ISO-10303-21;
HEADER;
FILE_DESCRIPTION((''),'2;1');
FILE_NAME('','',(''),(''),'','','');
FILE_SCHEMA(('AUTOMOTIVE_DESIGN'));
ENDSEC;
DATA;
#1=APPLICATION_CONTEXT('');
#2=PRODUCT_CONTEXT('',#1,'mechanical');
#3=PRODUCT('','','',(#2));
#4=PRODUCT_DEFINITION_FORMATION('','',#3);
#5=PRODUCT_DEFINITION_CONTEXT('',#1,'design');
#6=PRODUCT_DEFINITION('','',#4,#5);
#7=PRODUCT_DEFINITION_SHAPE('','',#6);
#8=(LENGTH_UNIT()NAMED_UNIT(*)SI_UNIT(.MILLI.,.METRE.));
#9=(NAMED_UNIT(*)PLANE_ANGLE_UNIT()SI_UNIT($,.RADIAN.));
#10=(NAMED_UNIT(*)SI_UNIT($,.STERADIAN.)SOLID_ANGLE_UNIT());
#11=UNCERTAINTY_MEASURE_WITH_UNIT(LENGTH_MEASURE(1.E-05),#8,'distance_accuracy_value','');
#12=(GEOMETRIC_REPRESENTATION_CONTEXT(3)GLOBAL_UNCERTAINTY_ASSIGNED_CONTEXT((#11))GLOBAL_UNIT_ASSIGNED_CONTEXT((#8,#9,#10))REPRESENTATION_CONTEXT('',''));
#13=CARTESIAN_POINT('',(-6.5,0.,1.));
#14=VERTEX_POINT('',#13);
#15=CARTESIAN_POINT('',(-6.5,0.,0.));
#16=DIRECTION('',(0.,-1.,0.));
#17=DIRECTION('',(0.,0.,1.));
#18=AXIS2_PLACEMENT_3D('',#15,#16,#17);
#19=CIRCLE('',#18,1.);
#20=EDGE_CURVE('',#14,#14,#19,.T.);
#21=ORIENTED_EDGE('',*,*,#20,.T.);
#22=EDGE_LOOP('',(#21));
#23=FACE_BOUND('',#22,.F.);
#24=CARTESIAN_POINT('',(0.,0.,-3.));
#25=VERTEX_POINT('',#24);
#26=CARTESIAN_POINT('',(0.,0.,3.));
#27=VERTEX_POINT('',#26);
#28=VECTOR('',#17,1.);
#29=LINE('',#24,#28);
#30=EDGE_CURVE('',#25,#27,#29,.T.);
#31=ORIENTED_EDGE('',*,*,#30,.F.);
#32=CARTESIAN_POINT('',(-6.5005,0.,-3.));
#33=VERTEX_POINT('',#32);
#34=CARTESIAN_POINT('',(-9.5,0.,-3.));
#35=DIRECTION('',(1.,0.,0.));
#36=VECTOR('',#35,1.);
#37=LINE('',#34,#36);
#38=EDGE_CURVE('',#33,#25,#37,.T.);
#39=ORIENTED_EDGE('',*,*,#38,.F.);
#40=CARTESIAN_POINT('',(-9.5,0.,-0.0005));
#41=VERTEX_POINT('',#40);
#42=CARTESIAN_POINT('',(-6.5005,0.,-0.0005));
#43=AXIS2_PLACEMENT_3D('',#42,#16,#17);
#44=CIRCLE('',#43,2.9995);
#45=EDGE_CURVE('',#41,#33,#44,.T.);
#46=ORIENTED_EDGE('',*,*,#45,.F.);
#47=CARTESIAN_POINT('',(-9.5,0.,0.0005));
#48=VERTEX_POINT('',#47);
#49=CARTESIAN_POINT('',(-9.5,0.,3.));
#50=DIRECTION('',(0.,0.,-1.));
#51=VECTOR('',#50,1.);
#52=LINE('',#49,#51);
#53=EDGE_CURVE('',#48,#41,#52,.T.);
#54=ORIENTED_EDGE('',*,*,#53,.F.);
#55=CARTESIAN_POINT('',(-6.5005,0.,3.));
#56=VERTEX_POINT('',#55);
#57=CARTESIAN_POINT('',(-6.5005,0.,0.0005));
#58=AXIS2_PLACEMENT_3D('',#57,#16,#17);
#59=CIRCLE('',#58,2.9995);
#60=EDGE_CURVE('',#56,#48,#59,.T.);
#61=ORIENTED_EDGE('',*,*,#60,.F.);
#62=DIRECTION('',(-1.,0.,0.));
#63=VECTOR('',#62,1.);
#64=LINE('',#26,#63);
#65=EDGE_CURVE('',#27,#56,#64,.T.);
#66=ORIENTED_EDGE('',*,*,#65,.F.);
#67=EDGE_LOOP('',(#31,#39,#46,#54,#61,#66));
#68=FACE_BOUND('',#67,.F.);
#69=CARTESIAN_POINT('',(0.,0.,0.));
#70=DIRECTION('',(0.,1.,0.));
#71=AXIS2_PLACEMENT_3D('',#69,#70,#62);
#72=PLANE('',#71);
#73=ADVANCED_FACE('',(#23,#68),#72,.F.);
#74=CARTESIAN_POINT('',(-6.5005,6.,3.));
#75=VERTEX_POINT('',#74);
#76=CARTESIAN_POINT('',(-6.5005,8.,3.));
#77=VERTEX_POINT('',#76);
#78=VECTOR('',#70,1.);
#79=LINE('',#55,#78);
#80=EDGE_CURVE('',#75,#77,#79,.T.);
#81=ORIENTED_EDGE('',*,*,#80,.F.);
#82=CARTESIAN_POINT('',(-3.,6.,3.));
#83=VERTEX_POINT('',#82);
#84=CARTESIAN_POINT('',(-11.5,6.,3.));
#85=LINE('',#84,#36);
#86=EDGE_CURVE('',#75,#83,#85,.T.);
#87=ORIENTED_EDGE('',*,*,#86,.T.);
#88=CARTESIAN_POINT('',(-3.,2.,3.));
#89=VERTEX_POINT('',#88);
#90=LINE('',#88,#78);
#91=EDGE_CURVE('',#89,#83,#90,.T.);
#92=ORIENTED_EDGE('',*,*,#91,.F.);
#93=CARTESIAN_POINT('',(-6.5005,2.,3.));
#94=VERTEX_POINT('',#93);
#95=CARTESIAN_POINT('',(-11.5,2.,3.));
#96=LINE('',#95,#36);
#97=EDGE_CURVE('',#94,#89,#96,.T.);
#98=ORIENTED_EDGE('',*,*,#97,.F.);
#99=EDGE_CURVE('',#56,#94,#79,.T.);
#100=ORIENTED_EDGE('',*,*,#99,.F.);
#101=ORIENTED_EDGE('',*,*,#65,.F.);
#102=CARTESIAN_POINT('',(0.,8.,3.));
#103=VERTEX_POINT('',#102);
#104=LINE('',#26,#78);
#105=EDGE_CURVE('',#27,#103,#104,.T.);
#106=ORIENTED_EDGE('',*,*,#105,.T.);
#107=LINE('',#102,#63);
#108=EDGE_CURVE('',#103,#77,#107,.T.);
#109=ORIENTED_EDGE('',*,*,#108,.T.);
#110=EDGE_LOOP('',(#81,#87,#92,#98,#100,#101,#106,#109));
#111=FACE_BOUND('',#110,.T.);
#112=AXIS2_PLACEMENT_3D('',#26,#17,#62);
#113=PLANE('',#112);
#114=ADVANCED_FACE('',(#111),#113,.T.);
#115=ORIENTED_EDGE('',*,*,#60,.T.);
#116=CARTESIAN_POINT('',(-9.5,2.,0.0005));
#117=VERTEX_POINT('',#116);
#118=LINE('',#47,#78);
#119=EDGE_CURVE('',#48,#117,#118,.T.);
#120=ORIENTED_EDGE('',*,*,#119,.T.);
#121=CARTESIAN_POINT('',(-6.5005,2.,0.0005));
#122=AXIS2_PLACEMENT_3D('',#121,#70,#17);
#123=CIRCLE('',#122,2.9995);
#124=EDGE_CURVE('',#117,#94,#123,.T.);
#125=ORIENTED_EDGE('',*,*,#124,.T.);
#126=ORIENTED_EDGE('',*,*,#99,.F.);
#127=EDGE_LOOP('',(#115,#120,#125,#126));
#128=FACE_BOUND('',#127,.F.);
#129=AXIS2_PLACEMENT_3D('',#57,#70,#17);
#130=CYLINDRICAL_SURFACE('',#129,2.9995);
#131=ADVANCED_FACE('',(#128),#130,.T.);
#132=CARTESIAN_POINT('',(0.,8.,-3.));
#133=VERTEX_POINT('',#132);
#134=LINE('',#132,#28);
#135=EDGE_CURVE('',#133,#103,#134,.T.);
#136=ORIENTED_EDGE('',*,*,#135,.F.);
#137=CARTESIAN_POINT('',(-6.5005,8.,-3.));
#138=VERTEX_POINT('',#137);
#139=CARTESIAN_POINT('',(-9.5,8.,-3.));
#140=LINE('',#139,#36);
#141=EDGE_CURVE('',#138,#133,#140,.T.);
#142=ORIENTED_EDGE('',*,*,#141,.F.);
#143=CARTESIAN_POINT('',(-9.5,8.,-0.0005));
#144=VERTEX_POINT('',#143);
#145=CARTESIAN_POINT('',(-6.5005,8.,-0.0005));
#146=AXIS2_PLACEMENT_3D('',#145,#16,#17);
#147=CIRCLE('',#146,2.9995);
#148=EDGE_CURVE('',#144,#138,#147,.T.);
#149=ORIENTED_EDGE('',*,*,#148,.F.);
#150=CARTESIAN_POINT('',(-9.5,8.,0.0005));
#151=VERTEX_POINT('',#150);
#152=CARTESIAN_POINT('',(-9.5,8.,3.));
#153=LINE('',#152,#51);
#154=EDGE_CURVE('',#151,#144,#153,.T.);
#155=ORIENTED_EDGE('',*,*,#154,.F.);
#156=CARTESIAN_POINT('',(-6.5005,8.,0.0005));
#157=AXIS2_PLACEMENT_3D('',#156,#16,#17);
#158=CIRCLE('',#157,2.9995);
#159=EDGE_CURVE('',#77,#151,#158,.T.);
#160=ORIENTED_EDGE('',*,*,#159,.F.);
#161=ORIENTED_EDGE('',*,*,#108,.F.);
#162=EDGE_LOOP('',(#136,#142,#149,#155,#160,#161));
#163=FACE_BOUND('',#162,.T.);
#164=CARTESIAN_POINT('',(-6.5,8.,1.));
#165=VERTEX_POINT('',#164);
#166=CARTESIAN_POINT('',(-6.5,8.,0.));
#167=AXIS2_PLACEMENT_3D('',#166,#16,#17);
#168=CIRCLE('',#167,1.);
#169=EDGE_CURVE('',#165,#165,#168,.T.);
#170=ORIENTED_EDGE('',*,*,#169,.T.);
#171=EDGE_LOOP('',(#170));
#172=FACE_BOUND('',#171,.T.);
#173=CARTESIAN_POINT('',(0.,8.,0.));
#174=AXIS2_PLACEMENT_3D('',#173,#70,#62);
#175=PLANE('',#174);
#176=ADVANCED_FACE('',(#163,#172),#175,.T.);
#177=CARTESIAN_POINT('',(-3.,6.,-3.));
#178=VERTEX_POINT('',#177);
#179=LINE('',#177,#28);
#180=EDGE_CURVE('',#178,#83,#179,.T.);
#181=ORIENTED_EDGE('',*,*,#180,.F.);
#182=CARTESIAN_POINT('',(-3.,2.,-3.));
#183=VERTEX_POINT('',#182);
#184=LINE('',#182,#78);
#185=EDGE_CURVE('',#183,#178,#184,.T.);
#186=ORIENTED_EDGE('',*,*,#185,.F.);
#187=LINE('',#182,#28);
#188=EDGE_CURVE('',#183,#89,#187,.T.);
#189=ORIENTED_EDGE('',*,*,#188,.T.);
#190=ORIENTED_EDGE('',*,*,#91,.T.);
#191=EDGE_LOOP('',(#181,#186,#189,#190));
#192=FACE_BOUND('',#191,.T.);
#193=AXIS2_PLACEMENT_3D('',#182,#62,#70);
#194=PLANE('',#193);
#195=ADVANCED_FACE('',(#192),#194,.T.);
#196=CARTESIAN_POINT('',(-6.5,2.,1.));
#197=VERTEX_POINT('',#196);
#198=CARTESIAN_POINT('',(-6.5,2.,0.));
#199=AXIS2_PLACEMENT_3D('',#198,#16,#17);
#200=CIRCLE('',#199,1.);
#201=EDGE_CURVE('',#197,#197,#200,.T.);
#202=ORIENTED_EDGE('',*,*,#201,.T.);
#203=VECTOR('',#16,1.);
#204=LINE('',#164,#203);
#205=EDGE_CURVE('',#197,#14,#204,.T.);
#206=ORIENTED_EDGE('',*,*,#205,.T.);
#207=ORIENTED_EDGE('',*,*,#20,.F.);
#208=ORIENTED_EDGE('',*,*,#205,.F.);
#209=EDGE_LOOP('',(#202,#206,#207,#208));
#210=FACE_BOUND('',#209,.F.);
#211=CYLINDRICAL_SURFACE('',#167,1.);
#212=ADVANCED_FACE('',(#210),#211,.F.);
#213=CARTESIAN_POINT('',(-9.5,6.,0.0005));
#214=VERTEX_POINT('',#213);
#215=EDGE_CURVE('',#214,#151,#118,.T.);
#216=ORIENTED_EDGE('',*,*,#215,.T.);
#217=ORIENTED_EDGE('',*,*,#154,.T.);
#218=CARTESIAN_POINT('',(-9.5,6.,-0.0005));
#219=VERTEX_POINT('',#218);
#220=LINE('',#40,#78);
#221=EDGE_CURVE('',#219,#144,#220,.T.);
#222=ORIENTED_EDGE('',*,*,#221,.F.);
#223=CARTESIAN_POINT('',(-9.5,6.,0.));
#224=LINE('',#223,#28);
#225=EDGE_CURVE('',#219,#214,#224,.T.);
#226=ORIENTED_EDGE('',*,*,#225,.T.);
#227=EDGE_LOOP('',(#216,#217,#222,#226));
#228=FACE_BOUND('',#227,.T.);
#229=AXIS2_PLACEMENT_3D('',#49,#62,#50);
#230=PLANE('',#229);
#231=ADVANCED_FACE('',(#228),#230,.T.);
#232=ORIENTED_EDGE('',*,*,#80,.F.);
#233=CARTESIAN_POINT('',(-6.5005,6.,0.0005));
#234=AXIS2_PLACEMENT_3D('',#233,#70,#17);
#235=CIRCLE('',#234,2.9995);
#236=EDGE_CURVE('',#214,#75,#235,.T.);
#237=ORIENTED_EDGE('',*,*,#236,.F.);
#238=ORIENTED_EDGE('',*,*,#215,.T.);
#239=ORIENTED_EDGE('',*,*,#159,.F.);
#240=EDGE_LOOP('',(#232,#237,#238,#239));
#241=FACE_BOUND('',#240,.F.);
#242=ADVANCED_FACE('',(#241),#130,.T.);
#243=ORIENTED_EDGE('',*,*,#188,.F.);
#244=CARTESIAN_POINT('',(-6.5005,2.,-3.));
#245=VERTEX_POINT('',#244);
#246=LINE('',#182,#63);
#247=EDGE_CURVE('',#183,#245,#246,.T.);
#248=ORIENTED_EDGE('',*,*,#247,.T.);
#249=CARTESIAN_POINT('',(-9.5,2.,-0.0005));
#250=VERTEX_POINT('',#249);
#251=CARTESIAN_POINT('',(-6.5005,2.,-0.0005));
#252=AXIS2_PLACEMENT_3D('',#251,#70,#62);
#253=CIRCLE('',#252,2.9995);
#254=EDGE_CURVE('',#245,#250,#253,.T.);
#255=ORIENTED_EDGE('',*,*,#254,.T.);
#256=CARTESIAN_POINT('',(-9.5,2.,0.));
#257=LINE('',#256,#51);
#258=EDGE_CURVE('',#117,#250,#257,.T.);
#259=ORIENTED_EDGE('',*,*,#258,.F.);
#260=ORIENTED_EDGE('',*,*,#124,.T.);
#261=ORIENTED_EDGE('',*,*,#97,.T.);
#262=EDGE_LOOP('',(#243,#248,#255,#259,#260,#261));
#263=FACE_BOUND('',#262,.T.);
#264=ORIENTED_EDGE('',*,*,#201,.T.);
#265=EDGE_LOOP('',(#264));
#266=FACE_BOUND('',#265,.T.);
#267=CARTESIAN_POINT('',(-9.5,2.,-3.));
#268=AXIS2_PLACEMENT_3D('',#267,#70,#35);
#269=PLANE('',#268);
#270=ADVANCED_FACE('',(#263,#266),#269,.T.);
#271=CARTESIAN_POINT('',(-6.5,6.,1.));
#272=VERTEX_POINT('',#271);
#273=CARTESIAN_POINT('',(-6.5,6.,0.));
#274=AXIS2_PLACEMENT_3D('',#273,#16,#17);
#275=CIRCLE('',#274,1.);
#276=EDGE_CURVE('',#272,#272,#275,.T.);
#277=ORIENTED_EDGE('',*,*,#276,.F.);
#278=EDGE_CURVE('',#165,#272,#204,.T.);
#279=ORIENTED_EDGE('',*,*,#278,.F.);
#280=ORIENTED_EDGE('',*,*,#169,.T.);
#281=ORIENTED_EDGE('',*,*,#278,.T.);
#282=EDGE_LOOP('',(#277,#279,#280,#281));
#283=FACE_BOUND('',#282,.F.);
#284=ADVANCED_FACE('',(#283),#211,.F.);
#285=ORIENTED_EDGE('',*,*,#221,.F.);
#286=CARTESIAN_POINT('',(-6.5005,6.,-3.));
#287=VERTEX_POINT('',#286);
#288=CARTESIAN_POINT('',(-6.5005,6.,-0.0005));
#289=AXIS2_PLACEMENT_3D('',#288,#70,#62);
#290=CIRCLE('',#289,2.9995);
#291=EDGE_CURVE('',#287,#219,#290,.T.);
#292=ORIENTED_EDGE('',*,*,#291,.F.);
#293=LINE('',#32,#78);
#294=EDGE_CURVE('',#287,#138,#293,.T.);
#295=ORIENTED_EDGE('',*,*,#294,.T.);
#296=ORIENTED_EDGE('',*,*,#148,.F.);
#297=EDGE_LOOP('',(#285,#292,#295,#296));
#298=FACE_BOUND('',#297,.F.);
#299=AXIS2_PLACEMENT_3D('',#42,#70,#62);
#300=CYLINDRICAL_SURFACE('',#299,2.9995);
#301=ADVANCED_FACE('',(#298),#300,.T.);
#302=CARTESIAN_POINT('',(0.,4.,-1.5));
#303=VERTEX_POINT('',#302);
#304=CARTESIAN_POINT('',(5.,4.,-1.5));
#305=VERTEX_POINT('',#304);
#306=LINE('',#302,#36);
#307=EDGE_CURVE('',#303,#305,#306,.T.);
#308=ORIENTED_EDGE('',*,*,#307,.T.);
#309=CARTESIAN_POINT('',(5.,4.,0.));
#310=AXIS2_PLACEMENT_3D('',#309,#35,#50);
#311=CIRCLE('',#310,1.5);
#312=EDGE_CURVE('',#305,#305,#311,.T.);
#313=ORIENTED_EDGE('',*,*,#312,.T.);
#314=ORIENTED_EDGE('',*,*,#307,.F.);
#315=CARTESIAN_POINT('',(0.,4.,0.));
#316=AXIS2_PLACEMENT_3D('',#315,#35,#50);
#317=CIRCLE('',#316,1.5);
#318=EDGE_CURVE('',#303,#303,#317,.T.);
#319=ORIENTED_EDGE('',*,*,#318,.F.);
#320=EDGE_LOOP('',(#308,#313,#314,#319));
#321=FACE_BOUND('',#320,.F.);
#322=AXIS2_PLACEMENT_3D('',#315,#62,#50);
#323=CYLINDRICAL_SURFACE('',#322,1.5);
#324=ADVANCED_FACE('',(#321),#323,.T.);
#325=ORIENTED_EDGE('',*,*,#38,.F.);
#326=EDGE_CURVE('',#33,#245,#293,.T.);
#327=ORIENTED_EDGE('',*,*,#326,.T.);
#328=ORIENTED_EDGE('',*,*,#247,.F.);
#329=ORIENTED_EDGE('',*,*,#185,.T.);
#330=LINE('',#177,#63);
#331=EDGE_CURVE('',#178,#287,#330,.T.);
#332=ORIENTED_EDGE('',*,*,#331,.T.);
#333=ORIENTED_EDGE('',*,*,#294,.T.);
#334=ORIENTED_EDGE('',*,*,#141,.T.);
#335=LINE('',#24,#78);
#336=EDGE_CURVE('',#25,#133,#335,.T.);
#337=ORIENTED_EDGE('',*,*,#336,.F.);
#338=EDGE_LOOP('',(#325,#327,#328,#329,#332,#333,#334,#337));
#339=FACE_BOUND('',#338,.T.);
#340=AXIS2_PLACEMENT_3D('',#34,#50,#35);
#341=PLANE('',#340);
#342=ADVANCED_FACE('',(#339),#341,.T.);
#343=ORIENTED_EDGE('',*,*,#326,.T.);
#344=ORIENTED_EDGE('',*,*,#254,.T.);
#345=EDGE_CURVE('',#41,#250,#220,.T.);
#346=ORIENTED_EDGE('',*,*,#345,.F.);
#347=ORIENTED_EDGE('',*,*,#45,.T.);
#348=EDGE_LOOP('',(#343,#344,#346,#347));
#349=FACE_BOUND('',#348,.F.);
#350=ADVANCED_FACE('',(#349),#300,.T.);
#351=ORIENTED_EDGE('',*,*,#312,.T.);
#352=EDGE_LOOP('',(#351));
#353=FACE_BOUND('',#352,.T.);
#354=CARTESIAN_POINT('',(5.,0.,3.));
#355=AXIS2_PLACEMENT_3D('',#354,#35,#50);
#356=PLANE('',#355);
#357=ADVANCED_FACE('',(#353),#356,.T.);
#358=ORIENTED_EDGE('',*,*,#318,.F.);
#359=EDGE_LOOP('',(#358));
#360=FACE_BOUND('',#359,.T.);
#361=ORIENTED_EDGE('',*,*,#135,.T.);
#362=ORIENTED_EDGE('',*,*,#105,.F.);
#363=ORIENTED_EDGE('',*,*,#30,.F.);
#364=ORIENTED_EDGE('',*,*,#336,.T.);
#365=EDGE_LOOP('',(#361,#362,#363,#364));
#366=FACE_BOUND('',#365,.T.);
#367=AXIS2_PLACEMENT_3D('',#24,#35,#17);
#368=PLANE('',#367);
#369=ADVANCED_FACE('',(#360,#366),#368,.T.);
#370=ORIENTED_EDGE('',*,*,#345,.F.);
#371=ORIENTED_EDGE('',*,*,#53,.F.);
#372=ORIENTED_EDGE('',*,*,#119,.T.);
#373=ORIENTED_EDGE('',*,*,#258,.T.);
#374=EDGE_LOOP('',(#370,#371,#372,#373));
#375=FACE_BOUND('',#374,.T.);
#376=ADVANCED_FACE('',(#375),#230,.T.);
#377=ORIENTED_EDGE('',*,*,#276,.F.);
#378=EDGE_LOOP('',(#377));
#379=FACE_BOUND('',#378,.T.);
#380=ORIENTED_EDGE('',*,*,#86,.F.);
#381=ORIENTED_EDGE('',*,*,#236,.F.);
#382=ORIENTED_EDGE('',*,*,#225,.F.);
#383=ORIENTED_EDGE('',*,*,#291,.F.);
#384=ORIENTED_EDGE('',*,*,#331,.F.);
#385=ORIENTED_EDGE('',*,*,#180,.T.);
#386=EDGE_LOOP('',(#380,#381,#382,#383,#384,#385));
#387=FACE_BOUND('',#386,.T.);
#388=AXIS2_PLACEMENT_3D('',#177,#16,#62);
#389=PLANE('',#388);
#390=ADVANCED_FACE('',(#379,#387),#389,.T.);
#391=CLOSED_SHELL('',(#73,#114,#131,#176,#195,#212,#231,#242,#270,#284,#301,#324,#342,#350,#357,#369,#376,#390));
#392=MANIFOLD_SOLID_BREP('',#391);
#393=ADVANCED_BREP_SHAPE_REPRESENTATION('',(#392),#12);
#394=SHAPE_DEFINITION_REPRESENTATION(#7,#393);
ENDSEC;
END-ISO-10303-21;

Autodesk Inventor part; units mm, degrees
ref_plane "YZ Plane" through (0, 0, 0) normal (1, 0, 0) x (0, 1, 0)
ref_plane "XZ Plane" through (0, 0, 0) normal (0, 1, 0) x (-1, 0, 0)
ref_plane "XY Plane" through (0, 0, 0) normal (0, 0, 1) x (1, 0, 0)
sketch "Skizze1" plane through (0, 0, 0) normal (0, 1, 0) x (-1, 0, 0)
  line L0 (0, 3) -> (9.5, 3)
  line L1 (9.5, 3) -> (9.5, -3)
  line L2 (9.5, -3) -> (0, -3)
  line L3 (0, -3) -> (0, 3)
  point P0 (0, 0)
  point P1 (0, 0)
  dimension "d0" = 6
  dimension "d1" = 9.5
extrude "Extrusion1" add sketch "Skizze1" along normal blind 8
fillet "Rundung1" radius 3 2 edges at (-9.5, 4, -3) (-9.5, 4, 3)
sketch "Skizze5" plane through (0, 8, 0) normal (0, 1, 0) x (1, 0, 0)
  arc A0 (-6.5, 3) -> (-6.5, -3) centre (-6.5, 0) ccw projected
  point P0 (0, 0)
hole "Bohrung2" at (-6.5, 8, 0) direction (0, -1, 0) diameter 2 depth 8
sketch "Skizze3" plane through (0, 0, -3) normal (0, 0, -1) x (-1, 0, 0)
  line L0 (3, 6) -> (11.5, 6)
  line L1 (11.5, 6) -> (11.5, 2)
  line L2 (11.5, 2) -> (3, 2)
  line L3 (3, 2) -> (3, 6)
  line L4 (9.5, 0) -> (9.5, 8) projected
  line L5 (0, 0) -> (0, 8) projected
  point P0 (3, 4)
  point P1 (0, 4)
  point P2 (7.25, 2)
  point P3 (11.5, 4)
  dimension "d12" = 6.5
  dimension "d13" = 4
  dimension "d14" = 2
extrude "Extrusion2" cut sketch "Skizze3" against normal up to surface (6 mm away)
sketch "Skizze4" plane through (0, 0, 3) normal (1, 0, 0) x (0, 0, -1)
  circle A0 centre (3, 4) radius 1.5
  line L0 (6, 0) -> (6, 8) projected
  line L1 (0, 0) -> (6, 0) projected
  point P0 (3, 0)
  point P1 (6, 4)
  point P2 (3, 0)
  dimension "d17" = 3
extrude "Extrusion3" add sketch "Skizze4" along normal blind 5
thread "Gewinde1" size "M3x0.5" class "6g" standard "ISO Metric profile" length 18
properties part number "top_pleuel"
